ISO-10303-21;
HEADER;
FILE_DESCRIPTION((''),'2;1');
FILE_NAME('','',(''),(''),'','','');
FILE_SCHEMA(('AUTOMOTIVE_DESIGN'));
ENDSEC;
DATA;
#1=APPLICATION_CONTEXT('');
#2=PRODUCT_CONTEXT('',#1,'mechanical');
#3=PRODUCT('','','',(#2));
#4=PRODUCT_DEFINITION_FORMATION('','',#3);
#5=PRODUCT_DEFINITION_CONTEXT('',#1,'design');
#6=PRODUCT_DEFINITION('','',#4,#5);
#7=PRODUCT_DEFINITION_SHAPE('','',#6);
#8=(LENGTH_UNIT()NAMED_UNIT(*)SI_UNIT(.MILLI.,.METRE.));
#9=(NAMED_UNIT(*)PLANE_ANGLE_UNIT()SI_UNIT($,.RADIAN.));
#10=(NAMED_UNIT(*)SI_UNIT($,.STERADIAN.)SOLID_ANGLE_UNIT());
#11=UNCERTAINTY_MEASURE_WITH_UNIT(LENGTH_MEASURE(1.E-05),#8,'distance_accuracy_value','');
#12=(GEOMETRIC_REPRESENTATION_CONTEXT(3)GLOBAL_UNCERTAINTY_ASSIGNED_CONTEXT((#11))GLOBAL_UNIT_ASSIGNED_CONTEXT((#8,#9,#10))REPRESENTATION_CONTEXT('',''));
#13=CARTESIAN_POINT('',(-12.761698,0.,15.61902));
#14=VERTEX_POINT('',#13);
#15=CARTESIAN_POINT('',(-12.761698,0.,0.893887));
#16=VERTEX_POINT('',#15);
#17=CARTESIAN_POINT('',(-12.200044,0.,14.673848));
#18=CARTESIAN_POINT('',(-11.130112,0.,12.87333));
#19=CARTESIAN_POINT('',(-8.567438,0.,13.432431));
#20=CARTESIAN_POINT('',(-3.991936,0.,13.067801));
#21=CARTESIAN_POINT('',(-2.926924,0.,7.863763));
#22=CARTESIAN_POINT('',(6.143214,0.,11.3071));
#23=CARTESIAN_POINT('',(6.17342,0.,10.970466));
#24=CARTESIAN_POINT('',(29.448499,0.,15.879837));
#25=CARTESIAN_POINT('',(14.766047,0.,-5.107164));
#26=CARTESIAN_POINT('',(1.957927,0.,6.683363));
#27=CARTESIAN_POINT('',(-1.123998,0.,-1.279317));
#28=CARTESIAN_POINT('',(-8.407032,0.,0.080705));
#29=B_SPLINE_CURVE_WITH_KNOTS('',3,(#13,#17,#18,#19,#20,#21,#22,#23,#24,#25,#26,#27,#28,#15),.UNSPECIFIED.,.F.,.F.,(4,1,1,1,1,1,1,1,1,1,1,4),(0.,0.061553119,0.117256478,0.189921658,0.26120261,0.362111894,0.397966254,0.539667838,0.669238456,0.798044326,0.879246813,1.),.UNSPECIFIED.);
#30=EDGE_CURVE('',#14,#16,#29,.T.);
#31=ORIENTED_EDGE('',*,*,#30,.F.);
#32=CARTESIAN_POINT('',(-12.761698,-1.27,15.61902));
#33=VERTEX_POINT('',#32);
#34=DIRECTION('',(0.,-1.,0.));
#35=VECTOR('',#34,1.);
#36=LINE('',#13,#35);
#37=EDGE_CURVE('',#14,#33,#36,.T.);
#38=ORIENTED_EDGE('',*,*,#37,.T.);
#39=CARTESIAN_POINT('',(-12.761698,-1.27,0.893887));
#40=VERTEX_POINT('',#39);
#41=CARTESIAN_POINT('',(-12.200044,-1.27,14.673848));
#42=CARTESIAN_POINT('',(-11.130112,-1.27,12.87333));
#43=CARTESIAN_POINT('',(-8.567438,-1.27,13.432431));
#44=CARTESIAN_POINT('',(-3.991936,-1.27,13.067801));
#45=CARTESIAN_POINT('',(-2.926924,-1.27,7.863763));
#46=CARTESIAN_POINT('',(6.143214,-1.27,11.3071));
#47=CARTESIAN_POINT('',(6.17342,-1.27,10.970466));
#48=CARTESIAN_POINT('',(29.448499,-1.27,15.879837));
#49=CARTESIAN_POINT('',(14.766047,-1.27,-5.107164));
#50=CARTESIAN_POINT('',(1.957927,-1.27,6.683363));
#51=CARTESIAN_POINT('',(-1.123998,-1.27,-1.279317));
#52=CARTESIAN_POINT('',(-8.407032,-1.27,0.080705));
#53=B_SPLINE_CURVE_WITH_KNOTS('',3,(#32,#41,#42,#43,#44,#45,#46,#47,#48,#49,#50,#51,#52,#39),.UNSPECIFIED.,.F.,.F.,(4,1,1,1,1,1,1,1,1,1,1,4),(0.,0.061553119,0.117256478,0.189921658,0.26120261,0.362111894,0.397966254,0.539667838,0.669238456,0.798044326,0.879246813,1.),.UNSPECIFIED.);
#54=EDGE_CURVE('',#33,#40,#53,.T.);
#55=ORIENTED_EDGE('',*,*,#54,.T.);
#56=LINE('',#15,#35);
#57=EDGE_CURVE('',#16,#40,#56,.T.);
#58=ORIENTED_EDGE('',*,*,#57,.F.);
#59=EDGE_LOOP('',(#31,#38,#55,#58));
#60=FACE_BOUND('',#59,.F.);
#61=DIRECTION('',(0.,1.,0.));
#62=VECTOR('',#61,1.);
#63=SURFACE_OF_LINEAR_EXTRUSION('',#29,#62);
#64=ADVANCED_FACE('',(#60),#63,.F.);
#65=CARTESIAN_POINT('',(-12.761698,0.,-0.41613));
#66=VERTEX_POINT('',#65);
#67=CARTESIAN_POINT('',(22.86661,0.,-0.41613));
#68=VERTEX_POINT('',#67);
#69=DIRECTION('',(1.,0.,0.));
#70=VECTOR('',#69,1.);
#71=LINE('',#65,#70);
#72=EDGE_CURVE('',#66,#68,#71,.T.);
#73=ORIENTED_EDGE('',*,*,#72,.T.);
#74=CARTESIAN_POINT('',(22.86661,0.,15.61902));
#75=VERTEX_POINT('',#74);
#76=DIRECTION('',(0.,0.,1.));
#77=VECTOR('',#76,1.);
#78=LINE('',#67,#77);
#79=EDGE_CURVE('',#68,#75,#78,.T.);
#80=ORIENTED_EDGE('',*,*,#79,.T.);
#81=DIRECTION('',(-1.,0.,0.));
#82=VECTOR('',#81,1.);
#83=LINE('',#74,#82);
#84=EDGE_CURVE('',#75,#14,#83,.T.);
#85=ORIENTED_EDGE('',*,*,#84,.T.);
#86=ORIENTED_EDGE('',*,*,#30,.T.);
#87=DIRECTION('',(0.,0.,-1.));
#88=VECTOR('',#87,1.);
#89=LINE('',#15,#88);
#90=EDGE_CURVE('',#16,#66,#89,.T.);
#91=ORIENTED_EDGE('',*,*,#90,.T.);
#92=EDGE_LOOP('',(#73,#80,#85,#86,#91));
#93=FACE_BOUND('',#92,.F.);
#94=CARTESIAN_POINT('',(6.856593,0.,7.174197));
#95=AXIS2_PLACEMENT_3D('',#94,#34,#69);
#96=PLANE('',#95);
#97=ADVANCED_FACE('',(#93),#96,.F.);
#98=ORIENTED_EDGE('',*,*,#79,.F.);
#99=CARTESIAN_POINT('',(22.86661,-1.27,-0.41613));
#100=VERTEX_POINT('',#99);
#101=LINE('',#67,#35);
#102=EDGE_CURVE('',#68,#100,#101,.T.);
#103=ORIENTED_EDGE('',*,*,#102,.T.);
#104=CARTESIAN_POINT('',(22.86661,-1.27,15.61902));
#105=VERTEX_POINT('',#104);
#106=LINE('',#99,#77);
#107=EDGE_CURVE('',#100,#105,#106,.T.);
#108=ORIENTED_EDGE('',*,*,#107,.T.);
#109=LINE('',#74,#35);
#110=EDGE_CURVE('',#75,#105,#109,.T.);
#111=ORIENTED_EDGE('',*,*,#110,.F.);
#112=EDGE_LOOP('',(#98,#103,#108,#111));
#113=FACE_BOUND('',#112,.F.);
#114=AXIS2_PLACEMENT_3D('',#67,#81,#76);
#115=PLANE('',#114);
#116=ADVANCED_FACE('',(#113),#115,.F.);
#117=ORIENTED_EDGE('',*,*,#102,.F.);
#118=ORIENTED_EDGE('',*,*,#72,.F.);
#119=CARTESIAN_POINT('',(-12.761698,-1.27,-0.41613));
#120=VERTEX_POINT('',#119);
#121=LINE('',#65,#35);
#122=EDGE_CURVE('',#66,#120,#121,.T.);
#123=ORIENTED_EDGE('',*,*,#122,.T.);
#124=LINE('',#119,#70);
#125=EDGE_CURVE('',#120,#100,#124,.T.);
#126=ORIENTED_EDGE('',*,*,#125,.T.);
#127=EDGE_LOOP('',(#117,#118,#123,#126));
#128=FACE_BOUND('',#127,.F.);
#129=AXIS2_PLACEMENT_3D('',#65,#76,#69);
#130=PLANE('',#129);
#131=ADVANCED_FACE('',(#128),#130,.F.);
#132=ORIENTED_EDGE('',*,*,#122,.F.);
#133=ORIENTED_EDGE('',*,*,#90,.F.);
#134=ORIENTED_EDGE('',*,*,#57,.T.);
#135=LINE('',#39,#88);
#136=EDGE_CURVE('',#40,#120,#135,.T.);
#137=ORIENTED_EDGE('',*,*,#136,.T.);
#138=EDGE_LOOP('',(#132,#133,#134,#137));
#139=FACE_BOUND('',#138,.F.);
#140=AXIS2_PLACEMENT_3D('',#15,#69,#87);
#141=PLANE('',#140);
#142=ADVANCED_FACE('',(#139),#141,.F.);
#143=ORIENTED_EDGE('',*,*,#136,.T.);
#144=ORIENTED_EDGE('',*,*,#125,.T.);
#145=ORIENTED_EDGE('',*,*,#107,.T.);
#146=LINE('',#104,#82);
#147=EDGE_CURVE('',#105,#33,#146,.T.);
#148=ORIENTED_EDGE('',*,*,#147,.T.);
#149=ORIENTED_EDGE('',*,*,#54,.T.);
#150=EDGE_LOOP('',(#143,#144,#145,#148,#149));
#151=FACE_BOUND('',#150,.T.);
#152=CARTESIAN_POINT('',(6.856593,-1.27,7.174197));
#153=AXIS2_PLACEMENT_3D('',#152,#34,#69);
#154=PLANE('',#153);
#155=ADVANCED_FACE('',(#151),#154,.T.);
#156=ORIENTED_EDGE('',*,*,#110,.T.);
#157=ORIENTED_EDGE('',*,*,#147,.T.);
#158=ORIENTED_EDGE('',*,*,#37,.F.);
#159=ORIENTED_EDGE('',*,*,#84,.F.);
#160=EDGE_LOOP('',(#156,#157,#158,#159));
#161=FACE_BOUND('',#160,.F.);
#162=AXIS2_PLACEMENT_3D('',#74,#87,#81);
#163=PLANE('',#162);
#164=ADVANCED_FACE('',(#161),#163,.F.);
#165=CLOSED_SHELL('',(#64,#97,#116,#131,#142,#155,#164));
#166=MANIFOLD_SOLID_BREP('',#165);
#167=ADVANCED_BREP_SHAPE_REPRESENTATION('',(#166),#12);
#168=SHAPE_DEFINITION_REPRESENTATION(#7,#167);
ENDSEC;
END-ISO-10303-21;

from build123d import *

# Parameters (mm, degrees)
F1_DEPTH = 1.27


with BuildPart() as f1:
    # F0 (on Front) → F1 (new body)
    with BuildSketch(Plane.XZ):
        with BuildLine():
            Line((22.8666104376, 15.6190199777), (-12.7616981044, 15.6190199777))
            add(Edge.make_bspline(
                [(-12.7616981044, 15.6190199777), (-12.2000437486, 14.673848162), (-11.1301123966, 12.8733298396), (-8.5674383543, 13.4324309928), (-3.9919358057, 13.0678012827), (-2.9269244243, 7.8637625628), (6.1432139916, 11.3070995173), (6.1734200361, 10.9704662009), (29.4484988518, 15.8798368767), (14.7660466998, -5.1071635369), (1.9579266316, 6.6833634397), (-1.1239982433, -1.2793166208), (-8.4070319838, 0.0807045662), (-12.7616981044, 0.8938874234)],
                knots=[0, 0, 0, 0, 0.061553119, 0.1172564785, 0.1899216583, 0.2612026103, 0.3621118937, 0.3979662539, 0.5396678383, 0.6692384558, 0.7980443255, 0.8792468132, 1, 1, 1, 1], degree=3))
            Line((-12.7616981044, 0.8938874234), (-12.7616981044, -0.4161298057))
            Line((-12.7616981044, -0.4161298057), (22.8666104376, -0.4161298057))
            Line((22.8666104376, -0.4161298057), (22.8666104376, 15.6190199777))
        make_face()
    extrude(amount=F1_DEPTH)


solid = f1.part
